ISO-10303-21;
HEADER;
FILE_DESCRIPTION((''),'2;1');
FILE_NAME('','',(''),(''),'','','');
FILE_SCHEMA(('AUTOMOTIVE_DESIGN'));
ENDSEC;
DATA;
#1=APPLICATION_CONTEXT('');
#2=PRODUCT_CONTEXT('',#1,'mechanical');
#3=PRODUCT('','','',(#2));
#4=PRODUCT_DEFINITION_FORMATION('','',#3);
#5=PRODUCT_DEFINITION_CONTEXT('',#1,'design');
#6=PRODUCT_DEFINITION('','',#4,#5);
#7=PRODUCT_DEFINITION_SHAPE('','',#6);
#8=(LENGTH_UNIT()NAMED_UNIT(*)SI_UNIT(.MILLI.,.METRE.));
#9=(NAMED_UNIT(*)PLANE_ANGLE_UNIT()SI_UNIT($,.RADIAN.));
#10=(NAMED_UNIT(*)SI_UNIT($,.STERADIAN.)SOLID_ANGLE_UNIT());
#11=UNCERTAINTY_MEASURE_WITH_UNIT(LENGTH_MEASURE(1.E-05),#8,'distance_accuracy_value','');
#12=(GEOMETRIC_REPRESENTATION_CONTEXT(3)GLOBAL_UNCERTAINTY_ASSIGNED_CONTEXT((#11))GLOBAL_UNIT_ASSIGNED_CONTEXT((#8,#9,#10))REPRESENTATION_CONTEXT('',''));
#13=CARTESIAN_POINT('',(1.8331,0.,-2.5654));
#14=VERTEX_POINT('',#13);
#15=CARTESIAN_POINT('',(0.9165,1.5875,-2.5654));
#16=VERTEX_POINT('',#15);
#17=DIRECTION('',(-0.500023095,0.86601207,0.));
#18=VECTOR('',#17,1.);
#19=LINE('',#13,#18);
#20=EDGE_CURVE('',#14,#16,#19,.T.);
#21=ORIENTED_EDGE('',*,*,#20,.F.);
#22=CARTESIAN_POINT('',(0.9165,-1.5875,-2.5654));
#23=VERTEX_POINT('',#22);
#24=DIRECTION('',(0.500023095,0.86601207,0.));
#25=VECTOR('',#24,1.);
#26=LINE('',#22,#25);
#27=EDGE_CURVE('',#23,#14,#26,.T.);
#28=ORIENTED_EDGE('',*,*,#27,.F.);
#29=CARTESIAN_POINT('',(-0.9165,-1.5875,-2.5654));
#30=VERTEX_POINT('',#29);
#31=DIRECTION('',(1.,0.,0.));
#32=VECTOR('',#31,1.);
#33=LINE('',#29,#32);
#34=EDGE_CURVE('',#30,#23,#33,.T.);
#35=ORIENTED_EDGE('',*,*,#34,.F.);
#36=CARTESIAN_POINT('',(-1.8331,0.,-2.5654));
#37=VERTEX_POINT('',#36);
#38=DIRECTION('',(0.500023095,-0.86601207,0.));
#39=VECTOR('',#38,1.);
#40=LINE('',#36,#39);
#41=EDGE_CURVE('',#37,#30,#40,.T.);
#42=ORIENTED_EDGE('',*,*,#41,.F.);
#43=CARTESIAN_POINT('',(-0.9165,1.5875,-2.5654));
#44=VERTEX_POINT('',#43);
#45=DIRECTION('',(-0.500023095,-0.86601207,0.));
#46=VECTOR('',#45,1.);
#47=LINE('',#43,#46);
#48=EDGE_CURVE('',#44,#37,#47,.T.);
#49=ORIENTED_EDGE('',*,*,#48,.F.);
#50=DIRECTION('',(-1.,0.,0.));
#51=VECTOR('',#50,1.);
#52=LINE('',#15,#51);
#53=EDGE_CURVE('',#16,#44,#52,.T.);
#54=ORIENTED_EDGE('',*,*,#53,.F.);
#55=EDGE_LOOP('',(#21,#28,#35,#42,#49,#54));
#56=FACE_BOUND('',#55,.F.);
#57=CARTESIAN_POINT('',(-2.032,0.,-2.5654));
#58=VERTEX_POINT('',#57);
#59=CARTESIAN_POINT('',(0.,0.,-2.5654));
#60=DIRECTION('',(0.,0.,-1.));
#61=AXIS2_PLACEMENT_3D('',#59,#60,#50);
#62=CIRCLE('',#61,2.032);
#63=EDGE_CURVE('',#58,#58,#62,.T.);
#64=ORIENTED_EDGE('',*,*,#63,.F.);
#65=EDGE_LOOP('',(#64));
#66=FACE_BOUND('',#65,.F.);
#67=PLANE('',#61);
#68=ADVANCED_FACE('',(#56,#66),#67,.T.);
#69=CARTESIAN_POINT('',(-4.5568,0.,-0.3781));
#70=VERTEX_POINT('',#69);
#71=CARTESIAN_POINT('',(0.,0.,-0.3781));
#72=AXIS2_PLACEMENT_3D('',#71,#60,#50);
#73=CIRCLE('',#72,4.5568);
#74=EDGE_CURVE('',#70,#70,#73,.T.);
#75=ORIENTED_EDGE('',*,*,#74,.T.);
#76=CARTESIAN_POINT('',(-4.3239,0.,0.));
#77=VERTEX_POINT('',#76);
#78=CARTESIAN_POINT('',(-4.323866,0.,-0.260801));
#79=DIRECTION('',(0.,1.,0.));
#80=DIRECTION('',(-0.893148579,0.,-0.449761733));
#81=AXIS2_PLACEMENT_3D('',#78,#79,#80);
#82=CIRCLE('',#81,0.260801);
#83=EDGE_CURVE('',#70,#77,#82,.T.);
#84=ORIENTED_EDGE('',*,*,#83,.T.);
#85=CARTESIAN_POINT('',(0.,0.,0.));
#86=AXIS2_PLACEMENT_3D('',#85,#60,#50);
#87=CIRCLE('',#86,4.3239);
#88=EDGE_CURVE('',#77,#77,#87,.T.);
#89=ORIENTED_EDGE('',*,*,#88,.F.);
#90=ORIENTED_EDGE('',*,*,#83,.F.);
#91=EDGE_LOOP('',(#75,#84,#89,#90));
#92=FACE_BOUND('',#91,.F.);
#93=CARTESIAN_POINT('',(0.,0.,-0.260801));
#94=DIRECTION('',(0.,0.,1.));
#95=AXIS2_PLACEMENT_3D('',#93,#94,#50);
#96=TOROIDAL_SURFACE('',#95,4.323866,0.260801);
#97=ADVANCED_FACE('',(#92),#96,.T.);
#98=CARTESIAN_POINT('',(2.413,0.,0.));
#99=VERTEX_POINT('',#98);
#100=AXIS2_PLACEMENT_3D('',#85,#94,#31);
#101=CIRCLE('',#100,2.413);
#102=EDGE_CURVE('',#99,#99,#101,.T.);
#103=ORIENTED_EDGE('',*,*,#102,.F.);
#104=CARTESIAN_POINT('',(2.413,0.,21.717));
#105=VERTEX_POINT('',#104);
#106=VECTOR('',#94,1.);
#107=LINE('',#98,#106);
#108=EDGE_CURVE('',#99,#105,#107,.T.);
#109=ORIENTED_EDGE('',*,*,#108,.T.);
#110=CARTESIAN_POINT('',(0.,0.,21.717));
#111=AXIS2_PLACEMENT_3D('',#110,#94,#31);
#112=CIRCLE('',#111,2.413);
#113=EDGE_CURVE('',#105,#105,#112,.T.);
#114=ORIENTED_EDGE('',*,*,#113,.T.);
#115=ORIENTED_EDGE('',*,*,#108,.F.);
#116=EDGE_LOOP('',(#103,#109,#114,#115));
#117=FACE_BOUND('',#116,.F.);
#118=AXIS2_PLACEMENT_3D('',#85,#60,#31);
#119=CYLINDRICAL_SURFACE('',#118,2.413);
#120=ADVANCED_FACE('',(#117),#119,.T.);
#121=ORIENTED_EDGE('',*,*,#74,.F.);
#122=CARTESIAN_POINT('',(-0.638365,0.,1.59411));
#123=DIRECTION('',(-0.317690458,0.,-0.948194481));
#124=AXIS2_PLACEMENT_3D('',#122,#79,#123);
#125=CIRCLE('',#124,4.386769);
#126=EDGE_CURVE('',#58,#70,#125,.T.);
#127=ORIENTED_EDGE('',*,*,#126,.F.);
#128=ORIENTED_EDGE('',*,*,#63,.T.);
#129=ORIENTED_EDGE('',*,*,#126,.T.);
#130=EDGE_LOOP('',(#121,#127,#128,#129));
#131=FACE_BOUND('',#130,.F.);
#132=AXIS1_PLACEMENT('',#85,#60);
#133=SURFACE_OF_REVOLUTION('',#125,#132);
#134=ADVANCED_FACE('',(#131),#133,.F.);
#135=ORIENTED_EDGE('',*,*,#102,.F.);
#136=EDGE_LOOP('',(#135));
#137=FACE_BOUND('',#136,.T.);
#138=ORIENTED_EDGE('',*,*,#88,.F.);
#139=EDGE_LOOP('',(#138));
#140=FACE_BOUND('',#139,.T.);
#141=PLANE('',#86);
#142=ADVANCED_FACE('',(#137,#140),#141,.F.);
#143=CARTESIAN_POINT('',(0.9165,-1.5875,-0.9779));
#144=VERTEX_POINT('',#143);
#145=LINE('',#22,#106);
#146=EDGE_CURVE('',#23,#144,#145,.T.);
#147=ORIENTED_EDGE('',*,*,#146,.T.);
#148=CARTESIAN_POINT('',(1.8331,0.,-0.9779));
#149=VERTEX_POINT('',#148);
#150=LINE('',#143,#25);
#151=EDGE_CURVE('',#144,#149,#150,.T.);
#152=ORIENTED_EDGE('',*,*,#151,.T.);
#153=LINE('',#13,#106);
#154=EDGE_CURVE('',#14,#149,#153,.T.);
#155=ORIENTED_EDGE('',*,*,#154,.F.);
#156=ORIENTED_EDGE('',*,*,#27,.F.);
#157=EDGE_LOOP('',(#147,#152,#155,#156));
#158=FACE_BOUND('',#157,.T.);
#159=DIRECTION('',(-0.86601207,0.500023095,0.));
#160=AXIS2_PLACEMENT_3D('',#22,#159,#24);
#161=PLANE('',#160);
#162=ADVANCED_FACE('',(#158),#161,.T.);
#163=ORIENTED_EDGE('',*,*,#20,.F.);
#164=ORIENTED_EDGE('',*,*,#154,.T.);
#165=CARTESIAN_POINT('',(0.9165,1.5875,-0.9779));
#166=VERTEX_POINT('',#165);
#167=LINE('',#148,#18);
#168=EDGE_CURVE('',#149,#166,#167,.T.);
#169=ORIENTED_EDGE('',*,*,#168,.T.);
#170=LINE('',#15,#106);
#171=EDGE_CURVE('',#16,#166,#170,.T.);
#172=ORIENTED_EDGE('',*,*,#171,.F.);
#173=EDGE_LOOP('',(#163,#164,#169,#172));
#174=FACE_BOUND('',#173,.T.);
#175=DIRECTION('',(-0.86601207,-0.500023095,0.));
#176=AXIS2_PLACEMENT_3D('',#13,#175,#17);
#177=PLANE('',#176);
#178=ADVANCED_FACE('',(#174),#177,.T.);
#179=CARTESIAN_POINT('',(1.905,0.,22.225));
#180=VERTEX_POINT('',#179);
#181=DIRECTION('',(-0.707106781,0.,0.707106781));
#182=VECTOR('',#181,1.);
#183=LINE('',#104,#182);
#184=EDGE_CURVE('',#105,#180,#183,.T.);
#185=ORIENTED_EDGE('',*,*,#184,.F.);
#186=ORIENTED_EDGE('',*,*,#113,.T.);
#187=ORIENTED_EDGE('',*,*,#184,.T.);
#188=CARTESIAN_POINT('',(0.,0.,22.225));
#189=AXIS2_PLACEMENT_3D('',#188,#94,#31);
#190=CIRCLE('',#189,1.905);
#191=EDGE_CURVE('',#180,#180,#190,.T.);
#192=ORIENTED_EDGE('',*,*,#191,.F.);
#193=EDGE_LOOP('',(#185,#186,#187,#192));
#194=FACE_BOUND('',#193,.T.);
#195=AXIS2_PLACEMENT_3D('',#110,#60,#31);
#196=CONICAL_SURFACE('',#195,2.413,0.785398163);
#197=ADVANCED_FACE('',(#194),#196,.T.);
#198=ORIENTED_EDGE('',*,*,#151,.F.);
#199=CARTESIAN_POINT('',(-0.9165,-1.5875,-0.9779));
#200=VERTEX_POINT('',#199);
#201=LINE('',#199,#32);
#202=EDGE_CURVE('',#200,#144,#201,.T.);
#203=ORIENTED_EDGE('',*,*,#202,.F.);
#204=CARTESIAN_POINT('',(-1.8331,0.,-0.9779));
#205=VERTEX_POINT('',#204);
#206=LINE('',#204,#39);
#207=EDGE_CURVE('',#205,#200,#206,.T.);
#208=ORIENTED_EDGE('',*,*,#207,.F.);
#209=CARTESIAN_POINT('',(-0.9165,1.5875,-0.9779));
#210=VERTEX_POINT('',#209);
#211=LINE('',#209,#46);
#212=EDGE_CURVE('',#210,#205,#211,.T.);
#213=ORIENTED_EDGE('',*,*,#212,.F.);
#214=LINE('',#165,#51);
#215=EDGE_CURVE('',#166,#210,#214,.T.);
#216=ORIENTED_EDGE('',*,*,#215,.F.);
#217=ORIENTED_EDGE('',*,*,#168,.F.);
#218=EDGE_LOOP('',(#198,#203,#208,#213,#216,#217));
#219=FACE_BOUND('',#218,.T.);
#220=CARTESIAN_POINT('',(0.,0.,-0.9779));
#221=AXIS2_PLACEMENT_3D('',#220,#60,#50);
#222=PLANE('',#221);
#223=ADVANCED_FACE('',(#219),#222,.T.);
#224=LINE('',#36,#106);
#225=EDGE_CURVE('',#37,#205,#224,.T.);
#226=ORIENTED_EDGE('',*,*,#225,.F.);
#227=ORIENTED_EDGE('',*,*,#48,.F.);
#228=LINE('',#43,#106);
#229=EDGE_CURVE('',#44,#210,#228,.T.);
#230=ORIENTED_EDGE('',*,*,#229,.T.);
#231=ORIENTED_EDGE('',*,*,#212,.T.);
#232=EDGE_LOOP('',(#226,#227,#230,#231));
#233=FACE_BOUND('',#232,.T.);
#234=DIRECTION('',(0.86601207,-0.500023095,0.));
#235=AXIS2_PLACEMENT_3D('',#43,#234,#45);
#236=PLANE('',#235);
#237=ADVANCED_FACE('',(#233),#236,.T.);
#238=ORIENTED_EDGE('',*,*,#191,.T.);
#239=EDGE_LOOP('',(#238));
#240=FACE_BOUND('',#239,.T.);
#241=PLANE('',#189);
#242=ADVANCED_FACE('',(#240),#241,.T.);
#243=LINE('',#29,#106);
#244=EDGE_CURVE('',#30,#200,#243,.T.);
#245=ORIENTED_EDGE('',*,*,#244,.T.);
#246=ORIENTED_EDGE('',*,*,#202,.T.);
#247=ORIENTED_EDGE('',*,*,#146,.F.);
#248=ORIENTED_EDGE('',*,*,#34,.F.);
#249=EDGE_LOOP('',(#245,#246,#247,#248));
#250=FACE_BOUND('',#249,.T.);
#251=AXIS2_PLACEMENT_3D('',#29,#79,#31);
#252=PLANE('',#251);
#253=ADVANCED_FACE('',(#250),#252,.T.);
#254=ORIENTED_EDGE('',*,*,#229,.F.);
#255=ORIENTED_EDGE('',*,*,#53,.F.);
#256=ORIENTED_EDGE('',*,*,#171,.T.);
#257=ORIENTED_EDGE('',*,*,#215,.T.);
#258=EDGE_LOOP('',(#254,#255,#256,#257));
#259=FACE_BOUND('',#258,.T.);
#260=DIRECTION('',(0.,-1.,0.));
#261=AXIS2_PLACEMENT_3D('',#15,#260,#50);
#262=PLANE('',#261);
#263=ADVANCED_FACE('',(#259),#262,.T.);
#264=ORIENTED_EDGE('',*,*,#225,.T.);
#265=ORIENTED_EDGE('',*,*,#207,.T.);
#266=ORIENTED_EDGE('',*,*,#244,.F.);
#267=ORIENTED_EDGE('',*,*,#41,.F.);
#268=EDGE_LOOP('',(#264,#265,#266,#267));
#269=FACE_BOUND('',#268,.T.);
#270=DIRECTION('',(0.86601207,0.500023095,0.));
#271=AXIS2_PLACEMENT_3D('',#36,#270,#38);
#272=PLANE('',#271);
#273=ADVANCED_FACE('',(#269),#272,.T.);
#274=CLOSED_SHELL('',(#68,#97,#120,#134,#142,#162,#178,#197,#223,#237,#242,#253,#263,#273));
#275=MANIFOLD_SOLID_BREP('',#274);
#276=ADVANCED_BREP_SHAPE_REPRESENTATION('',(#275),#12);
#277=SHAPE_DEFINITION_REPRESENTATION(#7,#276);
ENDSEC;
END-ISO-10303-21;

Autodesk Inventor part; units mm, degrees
ref_plane "YZ Plane" through (0, 0, 0) normal (1, 0, 0) x (0, 1, 0)
ref_plane "XZ Plane" through (0, 0, 0) normal (0, 1, 0) x (-1, 0, 0)
ref_plane "XY Plane" through (0, 0, 0) normal (0, 0, 1) x (1, 0, 0)
sketch "Sketch1" plane through (0, 0, 0) normal (0, 0, 1) x (1, 0, 0)
  circle A0 centre (0, 0) radius 2.413
  dimension "d0" = 4.826
extrude "Extrusion1" add sketch "Sketch1" along normal blind 22.225
sketch "Sketch2" plane through (0, 0, 0) normal (0, 1, 0) x (-1, 0, 0)
  line L0 (0, 0) -> (0, -2.5654)
  line L1 (0, 0) -> (4.3239, 0)
  line L2 (0, -2.5654) -> (2.032, -2.5654)
  line L3 (4.3239, 0) -> (4.3239, 3.8864) construction
  arc A0 (4.5568, -0.3781) -> (4.3239, 0) centre (4.3239, -0.2608) ccw
  arc A1 (2.032, -2.5654) -> (4.5568, -0.3781) centre (0.6382, 1.5944) ccw
  line L4 (4.5847, 0.6553) -> (4.5847, -0.2608) construction
  dimension "d3" = 2.5654
  dimension "d6" = 2.032
  dimension "d12" = 4.5847
revolve "Revolution1" add sketch "Sketch2" angle 360 about axis through (0, 0, 0) along (0, 0, -1)
sketch "Sketch3" plane through (0, 0, -2.5654) normal (0, 0, -1) x (-1, 0, 0)
  circle A0 centre (0, 0) radius 2.032 projected
  line L0 (-0.9165, 1.5875) -> (0.9165, 1.5875)
  line L1 (0.9165, 1.5875) -> (1.8331, 0)
  line L2 (1.8331, 0) -> (0.9165, -1.5875)
  line L3 (0.9165, -1.5875) -> (-0.9165, -1.5875)
  line L4 (-0.9165, -1.5875) -> (-1.8331, 0)
  line L5 (-1.8331, 0) -> (-0.9165, 1.5875)
  dimension "d8" = 3.175
extrude "Extrusion2" cut sketch "Sketch3" against normal blind 1.5875 contours L0 L1 L2 L3 L4 L5
chamfer "Chamfer1" distance 0.508 angle 45 1 edges at (-2.413, 0, 22.225)
thread "Thread1" size "10-32 UNF" class "2A" standard "ANSI Unified Screw Threads" full length
properties part number "10-32 x625 button head" material "Steel"
